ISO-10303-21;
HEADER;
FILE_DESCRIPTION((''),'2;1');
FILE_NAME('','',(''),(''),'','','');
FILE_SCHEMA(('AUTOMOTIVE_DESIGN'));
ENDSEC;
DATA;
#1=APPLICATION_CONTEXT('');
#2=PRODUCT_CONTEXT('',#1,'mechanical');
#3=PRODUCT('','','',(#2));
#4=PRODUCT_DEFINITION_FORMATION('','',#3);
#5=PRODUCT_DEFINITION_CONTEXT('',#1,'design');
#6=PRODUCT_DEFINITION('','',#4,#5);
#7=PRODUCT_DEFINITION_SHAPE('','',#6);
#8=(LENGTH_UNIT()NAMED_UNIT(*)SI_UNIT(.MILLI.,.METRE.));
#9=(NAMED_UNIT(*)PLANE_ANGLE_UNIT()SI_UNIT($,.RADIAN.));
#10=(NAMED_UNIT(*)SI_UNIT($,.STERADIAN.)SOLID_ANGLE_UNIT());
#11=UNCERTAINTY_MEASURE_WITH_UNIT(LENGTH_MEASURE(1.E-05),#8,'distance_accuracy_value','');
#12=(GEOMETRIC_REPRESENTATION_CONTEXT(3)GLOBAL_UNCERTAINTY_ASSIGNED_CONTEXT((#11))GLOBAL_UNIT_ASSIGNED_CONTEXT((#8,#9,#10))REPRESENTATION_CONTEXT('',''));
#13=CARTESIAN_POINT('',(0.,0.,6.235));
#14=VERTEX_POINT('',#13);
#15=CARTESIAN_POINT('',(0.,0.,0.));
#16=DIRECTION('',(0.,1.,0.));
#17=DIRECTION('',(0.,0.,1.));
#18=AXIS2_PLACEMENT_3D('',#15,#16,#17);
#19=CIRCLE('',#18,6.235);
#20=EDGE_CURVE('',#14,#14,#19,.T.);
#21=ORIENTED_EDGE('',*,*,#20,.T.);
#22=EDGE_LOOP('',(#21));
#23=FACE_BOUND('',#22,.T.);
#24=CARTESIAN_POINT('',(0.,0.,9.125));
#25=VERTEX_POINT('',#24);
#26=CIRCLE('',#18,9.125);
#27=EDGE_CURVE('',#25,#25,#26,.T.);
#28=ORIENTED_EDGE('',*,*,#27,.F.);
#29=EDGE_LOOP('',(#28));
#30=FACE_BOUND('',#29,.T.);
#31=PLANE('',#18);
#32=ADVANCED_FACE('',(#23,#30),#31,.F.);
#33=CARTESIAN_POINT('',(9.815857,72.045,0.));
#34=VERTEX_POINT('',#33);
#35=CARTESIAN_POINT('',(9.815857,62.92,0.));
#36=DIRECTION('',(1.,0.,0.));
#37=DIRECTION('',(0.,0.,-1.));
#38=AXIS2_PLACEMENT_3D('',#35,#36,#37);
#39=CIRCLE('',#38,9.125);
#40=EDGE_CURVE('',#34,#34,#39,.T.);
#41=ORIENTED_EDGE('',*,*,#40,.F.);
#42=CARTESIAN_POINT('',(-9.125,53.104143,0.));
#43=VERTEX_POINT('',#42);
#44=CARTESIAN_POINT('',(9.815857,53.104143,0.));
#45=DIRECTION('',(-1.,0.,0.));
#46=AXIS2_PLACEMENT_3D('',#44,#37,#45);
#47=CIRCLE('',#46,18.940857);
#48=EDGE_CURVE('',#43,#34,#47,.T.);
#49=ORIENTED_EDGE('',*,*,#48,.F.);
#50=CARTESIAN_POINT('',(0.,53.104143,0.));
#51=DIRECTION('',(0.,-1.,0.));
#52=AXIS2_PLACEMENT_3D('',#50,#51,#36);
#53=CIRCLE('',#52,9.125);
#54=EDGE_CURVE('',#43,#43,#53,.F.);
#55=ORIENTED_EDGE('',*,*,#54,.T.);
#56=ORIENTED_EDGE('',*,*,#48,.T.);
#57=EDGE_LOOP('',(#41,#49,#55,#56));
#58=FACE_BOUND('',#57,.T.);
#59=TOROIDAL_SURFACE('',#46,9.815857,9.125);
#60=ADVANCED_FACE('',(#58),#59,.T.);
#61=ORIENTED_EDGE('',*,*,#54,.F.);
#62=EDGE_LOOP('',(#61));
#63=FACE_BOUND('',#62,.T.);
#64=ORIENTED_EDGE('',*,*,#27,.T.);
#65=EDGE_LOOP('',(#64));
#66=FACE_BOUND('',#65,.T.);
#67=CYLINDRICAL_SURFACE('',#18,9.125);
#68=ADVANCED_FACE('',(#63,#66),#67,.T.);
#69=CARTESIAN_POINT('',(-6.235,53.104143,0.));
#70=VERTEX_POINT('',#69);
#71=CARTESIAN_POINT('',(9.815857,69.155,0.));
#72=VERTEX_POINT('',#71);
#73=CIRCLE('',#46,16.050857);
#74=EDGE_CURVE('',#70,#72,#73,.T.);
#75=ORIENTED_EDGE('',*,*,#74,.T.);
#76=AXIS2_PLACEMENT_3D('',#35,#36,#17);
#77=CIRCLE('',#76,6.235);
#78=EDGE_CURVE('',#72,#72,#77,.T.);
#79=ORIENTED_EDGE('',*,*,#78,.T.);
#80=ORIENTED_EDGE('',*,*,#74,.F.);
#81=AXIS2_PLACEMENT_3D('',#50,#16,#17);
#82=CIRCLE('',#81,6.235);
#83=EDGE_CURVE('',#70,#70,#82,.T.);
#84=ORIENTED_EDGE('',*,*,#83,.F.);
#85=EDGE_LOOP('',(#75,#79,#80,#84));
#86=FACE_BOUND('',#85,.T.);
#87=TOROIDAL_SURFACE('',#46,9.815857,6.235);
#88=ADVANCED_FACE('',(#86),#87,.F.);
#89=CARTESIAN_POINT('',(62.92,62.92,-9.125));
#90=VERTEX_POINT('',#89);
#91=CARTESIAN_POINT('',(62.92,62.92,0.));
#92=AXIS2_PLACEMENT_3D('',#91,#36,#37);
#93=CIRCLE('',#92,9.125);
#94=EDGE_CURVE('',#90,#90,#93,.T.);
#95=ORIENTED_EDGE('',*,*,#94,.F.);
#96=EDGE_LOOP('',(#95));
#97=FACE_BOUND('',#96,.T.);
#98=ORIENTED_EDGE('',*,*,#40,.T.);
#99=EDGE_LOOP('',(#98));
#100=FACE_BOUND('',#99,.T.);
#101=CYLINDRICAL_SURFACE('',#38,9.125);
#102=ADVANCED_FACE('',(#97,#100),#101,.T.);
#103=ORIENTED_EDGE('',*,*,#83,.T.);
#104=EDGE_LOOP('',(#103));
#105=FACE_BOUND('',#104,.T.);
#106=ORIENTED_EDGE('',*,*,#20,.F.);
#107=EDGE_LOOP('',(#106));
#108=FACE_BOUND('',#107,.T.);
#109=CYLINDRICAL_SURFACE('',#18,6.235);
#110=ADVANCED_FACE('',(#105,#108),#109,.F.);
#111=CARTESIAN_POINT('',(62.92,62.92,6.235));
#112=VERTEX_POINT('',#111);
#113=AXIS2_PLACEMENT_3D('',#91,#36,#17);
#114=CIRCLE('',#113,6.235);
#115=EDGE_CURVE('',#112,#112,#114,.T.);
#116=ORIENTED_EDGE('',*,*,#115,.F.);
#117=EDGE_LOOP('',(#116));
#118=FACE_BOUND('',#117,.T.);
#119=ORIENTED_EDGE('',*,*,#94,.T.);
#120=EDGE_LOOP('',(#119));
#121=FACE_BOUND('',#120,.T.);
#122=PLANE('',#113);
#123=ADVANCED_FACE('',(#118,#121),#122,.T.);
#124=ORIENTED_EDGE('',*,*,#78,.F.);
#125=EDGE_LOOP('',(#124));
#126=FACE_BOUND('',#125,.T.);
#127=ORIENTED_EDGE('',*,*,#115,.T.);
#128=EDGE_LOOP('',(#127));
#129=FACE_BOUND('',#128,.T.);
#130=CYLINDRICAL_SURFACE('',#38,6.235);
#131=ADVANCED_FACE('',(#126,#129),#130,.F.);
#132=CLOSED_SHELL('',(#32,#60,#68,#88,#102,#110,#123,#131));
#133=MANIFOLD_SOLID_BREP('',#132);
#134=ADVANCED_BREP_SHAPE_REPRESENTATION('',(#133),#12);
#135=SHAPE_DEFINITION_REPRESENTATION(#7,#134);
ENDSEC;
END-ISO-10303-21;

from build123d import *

# Parameters (mm, degrees)
SWEEP_THIN6_PROFILE_R   = 9.125
SWEEP_THIN6_PROFILE_R_2 = 6.235


with BuildPart() as part:
    # Sweep-Thin6: sweep along a path in Sketch78
    with BuildLine(Plane.XY) as sweep_thin6_path:
        Line((0, 0), (0, 53.104143086))
        ThreePointArc((0, 53.104143086), (2.874997927, 60.045002073), (9.815856914, 62.92))
        Line((9.815856914, 62.92), (62.92, 62.92))
    # Sweep-Thin6 profile (on start of the path) → Sweep-Thin6 (sweep)
    with BuildSketch(Plane.ZX):
        Circle(SWEEP_THIN6_PROFILE_R)
        Circle(SWEEP_THIN6_PROFILE_R_2, mode=Mode.SUBTRACT)
    sweep(path=sweep_thin6_path.line)


solid = part.part
